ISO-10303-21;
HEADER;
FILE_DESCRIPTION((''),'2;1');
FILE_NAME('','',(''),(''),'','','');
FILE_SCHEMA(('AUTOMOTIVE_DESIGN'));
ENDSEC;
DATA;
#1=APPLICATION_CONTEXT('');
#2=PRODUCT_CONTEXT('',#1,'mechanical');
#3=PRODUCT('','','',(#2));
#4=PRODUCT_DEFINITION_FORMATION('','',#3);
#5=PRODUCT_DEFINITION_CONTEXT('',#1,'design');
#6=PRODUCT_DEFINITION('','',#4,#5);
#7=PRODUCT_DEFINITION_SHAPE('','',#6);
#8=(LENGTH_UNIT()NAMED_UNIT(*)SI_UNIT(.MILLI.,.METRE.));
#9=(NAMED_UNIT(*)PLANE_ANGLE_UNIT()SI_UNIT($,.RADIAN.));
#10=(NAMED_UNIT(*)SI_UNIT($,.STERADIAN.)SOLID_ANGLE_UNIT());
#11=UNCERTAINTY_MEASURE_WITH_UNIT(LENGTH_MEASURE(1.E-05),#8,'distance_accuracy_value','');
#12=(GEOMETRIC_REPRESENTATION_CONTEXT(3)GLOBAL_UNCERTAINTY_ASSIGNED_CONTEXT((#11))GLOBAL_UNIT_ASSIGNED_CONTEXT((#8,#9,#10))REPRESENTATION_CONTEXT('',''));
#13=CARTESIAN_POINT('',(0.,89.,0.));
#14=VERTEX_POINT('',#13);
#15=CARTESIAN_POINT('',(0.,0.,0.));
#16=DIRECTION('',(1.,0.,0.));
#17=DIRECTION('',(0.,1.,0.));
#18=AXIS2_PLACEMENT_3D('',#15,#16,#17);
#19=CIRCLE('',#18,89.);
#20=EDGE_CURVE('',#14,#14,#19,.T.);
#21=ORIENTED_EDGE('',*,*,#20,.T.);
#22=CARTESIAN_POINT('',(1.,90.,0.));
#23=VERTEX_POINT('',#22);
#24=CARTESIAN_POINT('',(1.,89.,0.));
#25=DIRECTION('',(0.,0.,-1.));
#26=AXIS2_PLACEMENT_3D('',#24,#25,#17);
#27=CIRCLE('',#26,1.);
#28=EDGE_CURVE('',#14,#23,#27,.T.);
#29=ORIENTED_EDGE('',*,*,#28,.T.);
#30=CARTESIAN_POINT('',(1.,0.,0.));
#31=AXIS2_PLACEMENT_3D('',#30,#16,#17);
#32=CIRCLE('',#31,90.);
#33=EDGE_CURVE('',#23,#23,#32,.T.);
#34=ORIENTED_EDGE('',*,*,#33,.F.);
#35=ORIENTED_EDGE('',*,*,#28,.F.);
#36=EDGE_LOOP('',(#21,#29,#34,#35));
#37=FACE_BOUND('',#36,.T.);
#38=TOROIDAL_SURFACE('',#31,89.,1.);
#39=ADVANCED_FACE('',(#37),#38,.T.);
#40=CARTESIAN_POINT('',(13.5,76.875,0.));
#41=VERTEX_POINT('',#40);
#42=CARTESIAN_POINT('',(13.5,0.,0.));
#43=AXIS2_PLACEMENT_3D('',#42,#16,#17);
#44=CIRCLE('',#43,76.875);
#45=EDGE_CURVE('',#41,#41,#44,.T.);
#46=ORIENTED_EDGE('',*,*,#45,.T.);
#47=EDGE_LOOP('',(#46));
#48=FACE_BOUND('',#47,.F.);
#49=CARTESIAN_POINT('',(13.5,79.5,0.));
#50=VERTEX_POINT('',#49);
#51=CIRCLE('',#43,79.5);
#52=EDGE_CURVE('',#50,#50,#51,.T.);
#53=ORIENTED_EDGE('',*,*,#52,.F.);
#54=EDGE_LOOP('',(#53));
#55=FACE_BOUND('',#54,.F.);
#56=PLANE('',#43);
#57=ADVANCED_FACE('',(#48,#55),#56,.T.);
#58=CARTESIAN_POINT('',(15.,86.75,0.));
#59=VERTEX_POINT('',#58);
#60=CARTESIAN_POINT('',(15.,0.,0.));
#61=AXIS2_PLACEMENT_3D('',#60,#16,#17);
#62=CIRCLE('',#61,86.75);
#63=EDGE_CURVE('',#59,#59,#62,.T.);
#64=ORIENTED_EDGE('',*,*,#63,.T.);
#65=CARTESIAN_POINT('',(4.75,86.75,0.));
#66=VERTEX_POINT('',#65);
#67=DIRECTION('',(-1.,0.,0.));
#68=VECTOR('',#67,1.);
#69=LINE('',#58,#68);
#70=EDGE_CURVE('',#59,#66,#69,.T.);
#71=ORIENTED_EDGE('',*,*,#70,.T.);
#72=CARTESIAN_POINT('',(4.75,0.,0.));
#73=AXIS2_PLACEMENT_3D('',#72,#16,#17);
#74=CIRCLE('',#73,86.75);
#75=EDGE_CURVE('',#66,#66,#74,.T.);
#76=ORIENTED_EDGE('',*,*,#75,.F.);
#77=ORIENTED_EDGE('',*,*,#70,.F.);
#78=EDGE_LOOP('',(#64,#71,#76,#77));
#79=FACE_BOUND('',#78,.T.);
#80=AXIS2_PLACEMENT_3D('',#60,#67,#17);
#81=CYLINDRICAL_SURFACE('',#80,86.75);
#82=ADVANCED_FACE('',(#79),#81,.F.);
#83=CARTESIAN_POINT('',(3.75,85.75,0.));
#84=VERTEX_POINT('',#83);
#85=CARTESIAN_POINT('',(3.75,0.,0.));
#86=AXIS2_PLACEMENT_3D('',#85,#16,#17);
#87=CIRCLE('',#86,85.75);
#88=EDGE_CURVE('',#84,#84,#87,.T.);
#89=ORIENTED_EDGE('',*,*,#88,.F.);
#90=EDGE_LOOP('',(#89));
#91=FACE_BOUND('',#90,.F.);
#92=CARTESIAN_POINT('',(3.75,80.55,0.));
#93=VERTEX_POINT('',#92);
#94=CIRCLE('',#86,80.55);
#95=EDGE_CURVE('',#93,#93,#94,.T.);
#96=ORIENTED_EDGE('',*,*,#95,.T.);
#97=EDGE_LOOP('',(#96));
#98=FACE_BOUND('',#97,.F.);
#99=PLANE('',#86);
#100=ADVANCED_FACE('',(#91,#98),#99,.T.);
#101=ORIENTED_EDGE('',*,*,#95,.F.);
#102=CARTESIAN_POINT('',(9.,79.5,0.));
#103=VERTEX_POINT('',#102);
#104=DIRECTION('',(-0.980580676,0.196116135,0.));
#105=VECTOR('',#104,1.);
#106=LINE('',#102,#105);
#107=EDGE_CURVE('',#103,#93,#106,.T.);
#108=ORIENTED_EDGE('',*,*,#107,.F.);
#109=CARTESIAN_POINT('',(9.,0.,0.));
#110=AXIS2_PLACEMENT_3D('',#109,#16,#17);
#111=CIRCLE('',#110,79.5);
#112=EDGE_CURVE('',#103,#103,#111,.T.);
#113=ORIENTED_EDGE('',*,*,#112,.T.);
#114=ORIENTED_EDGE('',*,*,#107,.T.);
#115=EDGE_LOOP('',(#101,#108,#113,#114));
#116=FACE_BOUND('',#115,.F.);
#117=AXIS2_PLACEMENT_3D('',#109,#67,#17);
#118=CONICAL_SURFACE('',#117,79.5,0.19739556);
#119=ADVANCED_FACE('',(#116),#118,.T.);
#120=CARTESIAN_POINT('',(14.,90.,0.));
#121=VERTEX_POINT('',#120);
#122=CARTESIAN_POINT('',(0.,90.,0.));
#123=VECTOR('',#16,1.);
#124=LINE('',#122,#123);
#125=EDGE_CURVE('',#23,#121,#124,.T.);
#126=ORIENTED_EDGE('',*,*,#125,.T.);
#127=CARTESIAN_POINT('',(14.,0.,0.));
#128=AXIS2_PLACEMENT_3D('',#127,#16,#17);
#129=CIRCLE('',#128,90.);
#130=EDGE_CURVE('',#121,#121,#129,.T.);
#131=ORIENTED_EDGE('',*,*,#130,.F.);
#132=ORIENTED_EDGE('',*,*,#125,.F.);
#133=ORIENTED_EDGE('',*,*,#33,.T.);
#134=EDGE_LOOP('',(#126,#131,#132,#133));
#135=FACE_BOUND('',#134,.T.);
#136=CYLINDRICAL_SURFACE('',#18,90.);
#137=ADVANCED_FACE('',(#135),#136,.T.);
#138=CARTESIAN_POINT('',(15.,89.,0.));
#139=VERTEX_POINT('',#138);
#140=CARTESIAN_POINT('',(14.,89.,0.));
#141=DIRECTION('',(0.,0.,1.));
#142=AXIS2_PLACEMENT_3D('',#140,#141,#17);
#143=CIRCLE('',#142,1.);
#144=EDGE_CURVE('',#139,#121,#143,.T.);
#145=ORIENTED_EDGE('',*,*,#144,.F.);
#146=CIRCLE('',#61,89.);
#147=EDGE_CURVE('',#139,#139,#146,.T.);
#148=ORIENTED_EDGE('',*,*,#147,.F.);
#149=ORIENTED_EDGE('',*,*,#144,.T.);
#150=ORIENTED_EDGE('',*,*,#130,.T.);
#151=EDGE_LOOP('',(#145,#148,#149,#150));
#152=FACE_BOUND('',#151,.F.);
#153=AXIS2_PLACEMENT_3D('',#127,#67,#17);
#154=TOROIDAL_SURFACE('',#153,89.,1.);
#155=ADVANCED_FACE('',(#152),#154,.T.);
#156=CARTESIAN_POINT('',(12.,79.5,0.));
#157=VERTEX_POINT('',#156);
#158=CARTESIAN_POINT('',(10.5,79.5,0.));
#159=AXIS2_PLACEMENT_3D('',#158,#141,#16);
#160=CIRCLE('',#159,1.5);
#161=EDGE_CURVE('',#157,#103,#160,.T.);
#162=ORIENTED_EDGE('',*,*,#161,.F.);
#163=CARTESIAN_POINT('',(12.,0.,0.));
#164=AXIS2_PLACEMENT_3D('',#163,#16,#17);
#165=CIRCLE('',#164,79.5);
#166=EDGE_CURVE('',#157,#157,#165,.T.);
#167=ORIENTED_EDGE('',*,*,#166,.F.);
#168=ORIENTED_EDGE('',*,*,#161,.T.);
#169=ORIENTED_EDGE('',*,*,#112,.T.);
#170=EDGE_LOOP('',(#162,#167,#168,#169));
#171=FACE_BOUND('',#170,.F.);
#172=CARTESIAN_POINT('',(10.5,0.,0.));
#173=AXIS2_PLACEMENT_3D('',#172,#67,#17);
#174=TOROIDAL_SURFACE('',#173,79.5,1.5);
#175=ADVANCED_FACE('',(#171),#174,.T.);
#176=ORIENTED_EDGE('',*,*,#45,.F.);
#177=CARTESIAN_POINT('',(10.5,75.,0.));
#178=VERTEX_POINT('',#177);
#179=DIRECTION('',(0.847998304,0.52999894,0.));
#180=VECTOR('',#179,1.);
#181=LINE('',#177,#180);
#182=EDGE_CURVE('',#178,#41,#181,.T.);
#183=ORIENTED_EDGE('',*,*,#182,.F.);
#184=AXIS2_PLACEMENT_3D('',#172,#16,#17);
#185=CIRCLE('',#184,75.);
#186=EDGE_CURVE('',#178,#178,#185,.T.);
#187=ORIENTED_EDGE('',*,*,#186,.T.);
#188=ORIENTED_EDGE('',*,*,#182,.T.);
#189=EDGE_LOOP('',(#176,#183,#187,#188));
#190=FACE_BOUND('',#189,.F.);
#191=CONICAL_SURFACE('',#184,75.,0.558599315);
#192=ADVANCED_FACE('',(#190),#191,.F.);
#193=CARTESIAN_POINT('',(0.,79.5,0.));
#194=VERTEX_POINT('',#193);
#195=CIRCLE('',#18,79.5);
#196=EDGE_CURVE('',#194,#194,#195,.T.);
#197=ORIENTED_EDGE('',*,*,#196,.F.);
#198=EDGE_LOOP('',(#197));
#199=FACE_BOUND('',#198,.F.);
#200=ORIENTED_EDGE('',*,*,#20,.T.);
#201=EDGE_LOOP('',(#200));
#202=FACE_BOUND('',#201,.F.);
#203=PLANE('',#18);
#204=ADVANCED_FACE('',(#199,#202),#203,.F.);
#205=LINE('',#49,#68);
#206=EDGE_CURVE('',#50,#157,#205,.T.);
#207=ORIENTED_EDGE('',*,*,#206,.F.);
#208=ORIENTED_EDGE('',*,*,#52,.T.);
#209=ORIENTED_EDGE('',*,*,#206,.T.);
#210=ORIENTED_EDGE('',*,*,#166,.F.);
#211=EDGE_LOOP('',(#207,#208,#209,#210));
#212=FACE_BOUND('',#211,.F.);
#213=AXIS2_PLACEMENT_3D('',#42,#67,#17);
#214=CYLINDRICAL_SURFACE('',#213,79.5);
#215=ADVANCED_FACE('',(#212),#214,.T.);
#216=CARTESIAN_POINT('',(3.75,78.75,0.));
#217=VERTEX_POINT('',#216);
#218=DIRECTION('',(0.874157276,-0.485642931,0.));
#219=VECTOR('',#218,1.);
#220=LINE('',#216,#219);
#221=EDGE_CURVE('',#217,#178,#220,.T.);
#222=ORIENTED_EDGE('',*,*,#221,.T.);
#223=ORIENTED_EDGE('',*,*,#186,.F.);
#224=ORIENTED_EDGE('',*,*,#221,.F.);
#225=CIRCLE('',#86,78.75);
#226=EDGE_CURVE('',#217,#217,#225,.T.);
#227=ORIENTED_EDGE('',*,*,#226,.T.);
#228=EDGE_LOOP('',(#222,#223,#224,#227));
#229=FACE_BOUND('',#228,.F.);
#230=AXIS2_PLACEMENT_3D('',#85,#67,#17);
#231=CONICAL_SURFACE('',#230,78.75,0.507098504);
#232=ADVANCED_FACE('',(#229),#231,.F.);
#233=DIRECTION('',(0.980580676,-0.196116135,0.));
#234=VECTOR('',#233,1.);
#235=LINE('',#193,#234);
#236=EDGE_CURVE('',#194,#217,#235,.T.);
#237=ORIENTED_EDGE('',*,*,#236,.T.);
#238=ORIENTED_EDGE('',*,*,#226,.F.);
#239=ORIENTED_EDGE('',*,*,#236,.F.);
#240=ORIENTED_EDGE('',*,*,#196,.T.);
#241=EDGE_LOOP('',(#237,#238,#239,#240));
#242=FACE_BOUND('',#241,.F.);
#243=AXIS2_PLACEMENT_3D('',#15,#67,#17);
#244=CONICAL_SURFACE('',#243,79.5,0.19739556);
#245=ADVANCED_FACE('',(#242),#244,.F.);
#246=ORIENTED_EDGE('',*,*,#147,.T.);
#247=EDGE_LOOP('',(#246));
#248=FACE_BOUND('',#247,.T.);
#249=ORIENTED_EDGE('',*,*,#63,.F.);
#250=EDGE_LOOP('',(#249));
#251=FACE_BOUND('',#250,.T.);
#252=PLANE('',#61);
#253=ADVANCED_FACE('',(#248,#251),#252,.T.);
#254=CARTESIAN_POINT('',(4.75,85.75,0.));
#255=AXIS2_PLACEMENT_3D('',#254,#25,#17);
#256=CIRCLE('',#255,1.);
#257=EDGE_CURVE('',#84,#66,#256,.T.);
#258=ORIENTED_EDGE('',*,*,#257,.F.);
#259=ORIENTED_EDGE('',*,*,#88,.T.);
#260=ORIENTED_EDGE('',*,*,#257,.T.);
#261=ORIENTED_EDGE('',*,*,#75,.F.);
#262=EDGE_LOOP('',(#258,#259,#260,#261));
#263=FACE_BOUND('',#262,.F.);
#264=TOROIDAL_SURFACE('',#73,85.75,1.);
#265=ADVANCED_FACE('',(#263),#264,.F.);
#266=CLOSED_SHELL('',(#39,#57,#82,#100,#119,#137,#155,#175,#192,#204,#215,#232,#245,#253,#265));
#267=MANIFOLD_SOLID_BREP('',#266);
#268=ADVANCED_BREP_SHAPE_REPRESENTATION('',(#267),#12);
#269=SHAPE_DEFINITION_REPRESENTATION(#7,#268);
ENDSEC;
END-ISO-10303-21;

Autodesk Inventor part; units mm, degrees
ref_plane "YZ Plane" through (0, 0, 0) normal (1, 0, 0) x (0, 1, 0)
ref_plane "XZ Plane" through (0, 0, 0) normal (0, 1, 0) x (-1, 0, 0)
ref_plane "XY Plane" through (0, 0, 0) normal (0, 0, 1) x (1, 0, 0)
sketch "Szkic1" plane through (0, 0, 0) normal (0, 0, 1) x (1, 0, 0)
  circle A0 centre (10.5, 79.5) radius 0.975
  circle A1 centre (10.5, 79.5) radius 1.5
  line L0 (13.5, 76.875) -> (13.5, 79.5)
  line L1 (0, 90) -> (15, 90)
  line L2 (15, 90) -> (15, 86.75)
  line L3 (15, 86.75) -> (3.75, 86.75)
  line L4 (0, 0) -> (9.5856, 0)
  line L5 (0, 90) -> (0, 79.5)
  line L6 (0, 79.5) -> (3.75, 78.75)
  line L7 (3.75, 78.75) -> (10.5, 75)
  line L8 (10.5, 75) -> (13.5, 76.875)
  line L9 (10.5, 75) -> (0, 75) construction
  line L10 (0, 18) -> (0, -3) projected
  line L11 (-1.9171, 0) -> (11.5027, 0) projected
  line L12 (9, 79.5) -> (3.75, 80.55)
  line L13 (3.75, 80.55) -> (3.75, 86.75)
  line L14 (13.5, 79.5) -> (12, 79.5)
  dimension "d0" = 180
  dimension "d1" = 153.75
  dimension "d2" = 3.25
  dimension "d3" = 1.95
  dimension "d4" = 3
  dimension "d5" = 150
  dimension "d6" = 157.5
  dimension "d7" = 159
  dimension "d8" = 10.5
  dimension "d9" = 13.5
  dimension "d10" = 15
  dimension "d12" = 3.75
revolve "Bryła" add sketch "Szkic1" angle 360 about axis through (0, 0, 0) along (1, 0, 0) contours L14 L0 L8 L7 L6 L5 L1 L2 L3 L13 L12 A1
revolve "Sprężyna1" add sketch "Szkic1" angle 360 about axis through (0, 0, 0) along (1, 0, 0) contours A0 | A1
fillet "Zaokrąglenie1" radius 1 3 edges at (15, -90, 0) (3.75, -86.75, 0) (0, -90, 0)
equation "\"d0\" = SD2"
equation "\"d1\" = ABDM"
equation "\"d3\" = SPDI"
equation "\"d4\" = SPDA"
equation "\"d5\" = NND"
equation "\"d6\" = TKDM"
equation "\"d7\" = HLDM"
equation "\"d8\" = SPDST"
equation "\"d9\" = SDI"
equation "\"d10\" = SWDT"
equation "\"d12\" = SD"
equation "\"d11\" = RR"
equation "\"SD2\" = 180"
equation "\"SWDT\" = 15"
equation "\"RR\" = 1"
equation "\"SD\" = 3.75"
equation "\"NND\" = 150"
equation "\"SPDA\" = 3"
equation "\"SPDI\" = 1.95"
equation "\"TKDM\" = 157.5"
equation "\"HLDM\" = 159"
equation "\"ABDM\" = 153.75"
equation "\"SDI\" = 13.5"
equation "\"SPDST\" = 10.5"
equation "\"LAB\" = 0.75"
properties part number "DIN 3760 - A - 150 x 180 x 15 - NBR" material "Kauczuk"
